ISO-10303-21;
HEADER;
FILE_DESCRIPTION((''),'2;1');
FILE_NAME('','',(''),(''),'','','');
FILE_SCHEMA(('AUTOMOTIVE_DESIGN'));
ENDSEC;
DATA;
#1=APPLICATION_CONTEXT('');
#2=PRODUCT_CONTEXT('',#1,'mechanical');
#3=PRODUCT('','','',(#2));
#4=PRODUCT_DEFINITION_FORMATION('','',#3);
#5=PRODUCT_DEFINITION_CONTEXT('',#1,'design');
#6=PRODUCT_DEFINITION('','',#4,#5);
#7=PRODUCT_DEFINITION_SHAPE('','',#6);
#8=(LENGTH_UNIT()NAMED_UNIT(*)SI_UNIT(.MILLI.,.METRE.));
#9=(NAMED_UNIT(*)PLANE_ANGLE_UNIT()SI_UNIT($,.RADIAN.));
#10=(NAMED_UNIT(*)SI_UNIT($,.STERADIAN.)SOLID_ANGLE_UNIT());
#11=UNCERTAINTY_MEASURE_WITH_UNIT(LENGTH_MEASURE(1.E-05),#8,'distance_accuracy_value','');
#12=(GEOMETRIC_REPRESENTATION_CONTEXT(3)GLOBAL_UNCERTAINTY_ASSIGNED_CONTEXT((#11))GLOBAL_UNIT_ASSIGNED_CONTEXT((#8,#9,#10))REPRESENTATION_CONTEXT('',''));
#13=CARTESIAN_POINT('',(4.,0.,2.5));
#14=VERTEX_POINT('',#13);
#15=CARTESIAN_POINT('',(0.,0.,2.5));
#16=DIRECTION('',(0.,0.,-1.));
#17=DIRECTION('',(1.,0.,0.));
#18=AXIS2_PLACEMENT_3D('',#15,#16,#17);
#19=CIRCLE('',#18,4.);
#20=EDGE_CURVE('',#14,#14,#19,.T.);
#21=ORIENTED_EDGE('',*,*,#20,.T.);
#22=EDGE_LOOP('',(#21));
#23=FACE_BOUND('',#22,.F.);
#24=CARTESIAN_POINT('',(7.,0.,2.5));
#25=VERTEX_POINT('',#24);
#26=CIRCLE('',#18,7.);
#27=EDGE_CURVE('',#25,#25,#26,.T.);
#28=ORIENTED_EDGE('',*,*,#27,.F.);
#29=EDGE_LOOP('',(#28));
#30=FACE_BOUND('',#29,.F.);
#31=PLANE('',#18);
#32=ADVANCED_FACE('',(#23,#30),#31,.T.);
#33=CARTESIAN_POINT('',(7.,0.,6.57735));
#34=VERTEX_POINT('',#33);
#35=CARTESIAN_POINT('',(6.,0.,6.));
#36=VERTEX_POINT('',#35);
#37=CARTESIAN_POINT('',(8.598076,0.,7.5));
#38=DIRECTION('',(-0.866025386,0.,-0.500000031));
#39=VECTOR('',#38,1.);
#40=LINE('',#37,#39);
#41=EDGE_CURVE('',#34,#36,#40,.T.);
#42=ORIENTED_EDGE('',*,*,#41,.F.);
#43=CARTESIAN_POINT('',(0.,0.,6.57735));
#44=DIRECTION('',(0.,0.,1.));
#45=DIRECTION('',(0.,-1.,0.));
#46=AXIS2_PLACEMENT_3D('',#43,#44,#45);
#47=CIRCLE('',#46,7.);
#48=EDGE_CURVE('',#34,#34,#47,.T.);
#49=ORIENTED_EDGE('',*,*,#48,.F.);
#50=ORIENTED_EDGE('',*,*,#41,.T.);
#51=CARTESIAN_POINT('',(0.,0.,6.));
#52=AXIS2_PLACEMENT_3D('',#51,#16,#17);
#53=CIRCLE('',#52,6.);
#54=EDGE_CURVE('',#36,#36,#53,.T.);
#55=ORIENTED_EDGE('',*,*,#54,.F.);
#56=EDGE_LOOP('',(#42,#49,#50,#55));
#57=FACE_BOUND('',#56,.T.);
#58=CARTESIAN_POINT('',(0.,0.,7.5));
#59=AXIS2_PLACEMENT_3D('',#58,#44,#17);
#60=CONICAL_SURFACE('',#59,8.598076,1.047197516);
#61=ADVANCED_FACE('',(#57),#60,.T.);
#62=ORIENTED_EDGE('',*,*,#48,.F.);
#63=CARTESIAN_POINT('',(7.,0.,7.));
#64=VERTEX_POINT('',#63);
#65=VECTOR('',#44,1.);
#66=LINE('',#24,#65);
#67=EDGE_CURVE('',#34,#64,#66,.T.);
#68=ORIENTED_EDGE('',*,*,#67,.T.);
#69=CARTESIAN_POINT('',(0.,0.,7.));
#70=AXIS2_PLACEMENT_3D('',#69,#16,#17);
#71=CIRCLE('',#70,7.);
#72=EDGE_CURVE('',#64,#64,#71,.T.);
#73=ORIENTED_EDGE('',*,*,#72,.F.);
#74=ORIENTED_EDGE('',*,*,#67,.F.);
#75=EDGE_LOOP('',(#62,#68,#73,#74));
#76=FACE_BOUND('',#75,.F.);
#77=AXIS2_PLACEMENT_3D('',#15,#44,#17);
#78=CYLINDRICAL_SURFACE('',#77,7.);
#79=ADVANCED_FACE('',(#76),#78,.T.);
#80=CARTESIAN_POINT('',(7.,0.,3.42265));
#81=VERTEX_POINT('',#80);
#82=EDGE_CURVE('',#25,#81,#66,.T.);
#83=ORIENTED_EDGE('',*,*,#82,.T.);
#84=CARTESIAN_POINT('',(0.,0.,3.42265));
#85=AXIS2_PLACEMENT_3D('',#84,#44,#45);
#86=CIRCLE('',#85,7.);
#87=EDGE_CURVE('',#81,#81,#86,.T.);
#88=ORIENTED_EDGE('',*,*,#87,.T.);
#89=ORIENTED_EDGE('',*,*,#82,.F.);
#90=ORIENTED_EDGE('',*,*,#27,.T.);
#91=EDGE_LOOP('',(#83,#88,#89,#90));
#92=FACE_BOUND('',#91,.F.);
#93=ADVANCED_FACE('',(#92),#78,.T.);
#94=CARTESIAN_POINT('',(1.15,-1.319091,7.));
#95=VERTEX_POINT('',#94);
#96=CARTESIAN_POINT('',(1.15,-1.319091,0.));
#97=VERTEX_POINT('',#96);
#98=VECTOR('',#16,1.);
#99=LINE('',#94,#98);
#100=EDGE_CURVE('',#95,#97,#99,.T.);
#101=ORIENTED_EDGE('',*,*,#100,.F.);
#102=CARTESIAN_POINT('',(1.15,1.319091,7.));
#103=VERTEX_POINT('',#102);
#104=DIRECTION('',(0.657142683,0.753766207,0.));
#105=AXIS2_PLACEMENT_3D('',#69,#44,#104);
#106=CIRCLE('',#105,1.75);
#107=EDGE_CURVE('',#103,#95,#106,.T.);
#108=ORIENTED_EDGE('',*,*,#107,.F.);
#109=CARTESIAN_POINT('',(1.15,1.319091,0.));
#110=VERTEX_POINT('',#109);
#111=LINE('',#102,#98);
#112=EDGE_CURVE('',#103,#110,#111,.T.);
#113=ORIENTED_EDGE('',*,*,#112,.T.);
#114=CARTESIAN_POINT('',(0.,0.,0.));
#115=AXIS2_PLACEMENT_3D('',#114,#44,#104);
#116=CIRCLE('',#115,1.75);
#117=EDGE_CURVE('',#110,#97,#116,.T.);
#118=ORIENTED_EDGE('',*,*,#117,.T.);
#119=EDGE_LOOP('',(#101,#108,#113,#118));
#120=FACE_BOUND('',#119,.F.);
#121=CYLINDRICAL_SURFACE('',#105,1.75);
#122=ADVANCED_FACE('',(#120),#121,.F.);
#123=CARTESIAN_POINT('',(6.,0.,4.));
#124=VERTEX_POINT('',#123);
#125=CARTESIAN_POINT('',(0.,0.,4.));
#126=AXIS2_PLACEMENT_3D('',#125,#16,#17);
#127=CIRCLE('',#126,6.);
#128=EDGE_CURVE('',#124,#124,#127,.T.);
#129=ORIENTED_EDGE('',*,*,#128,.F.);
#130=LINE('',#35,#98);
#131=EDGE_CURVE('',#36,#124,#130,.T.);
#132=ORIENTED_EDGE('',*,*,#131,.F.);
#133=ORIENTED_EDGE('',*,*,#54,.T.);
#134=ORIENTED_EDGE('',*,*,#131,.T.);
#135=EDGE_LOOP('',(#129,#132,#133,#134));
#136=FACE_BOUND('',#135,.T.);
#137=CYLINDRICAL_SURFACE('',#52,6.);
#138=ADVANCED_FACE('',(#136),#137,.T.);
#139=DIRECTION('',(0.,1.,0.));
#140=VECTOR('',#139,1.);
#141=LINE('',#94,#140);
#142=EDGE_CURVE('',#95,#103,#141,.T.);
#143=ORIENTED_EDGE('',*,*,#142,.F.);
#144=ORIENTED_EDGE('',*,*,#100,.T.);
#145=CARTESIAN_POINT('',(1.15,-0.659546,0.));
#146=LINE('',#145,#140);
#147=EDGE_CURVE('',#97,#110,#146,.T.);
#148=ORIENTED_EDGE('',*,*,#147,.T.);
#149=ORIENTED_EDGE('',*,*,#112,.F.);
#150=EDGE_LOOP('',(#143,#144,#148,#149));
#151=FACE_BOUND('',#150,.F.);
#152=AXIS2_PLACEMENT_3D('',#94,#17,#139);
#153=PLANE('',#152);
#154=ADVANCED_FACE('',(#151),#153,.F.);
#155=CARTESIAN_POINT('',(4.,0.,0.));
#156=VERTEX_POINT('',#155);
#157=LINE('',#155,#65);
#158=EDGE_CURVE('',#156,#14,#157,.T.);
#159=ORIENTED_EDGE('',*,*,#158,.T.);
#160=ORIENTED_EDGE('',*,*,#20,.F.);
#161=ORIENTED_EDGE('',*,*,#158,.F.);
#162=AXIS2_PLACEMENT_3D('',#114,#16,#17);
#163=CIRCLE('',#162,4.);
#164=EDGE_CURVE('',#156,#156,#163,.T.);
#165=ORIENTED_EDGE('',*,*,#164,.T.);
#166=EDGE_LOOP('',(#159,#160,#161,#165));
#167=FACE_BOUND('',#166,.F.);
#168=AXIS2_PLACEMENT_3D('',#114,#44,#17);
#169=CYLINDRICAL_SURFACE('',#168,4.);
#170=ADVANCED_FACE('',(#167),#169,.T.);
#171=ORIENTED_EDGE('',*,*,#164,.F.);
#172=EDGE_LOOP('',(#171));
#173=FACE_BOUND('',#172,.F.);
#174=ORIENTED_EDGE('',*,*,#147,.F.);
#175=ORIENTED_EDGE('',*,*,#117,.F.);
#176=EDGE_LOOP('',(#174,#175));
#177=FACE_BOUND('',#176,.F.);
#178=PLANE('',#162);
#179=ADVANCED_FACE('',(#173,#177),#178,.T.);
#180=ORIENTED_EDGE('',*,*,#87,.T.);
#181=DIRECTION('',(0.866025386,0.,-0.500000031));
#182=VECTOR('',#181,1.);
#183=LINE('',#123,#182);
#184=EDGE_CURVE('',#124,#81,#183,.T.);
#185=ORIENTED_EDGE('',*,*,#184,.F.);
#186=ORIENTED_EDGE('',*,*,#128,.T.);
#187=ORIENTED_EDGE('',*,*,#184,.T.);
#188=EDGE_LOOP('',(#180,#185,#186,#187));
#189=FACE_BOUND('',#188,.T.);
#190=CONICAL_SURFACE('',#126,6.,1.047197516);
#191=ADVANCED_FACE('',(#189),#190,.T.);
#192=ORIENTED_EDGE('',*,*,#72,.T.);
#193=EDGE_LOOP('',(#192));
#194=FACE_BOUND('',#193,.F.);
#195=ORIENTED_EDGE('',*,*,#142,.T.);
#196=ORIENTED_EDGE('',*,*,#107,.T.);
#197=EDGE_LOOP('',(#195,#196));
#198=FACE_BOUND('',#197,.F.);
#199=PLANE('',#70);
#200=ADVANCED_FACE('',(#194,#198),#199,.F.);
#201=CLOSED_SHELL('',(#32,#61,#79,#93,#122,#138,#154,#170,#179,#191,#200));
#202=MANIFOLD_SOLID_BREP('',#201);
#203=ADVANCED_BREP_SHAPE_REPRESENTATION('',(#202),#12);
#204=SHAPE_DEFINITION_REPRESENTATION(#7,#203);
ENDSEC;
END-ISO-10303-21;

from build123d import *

# Parameters (mm, degrees)
F3_DEPTH = 7.001


with BuildPart() as f1:
    # F0 (on Front) → F1 (revolve)
    with BuildSketch(Plane.XZ):
        Polygon((0, 7), (0, 0), (4, 0), (4, 2.5), (7, 2.5), (7, 7), align=None)
    revolve(axis=Axis((0, 0, 3.5), (0, 0, -1)))

    # F2 (on face) → F3 (cut, through all)
    with BuildSketch(Plane.XY.offset(7)):
        with BuildLine():
            Line((1.15, -1.319091), (1.15, 1.319091))
            ThreePointArc((1.15, 1.319091), (-1.75, 0), (1.15, -1.319091))
        make_face()
    extrude(amount=-F3_DEPTH, mode=Mode.SUBTRACT)

    # F4 (on Front) → F5 (revolve, cut)
    with BuildSketch(Plane.XZ):
        Polygon((6, 4), (8.598076, 2.5), (8.598076, 7.5), (6, 6), align=None)
    revolve(axis=Axis((0, 0, 7), (0, 0, -1)), mode=Mode.SUBTRACT)


solid = f1.part
